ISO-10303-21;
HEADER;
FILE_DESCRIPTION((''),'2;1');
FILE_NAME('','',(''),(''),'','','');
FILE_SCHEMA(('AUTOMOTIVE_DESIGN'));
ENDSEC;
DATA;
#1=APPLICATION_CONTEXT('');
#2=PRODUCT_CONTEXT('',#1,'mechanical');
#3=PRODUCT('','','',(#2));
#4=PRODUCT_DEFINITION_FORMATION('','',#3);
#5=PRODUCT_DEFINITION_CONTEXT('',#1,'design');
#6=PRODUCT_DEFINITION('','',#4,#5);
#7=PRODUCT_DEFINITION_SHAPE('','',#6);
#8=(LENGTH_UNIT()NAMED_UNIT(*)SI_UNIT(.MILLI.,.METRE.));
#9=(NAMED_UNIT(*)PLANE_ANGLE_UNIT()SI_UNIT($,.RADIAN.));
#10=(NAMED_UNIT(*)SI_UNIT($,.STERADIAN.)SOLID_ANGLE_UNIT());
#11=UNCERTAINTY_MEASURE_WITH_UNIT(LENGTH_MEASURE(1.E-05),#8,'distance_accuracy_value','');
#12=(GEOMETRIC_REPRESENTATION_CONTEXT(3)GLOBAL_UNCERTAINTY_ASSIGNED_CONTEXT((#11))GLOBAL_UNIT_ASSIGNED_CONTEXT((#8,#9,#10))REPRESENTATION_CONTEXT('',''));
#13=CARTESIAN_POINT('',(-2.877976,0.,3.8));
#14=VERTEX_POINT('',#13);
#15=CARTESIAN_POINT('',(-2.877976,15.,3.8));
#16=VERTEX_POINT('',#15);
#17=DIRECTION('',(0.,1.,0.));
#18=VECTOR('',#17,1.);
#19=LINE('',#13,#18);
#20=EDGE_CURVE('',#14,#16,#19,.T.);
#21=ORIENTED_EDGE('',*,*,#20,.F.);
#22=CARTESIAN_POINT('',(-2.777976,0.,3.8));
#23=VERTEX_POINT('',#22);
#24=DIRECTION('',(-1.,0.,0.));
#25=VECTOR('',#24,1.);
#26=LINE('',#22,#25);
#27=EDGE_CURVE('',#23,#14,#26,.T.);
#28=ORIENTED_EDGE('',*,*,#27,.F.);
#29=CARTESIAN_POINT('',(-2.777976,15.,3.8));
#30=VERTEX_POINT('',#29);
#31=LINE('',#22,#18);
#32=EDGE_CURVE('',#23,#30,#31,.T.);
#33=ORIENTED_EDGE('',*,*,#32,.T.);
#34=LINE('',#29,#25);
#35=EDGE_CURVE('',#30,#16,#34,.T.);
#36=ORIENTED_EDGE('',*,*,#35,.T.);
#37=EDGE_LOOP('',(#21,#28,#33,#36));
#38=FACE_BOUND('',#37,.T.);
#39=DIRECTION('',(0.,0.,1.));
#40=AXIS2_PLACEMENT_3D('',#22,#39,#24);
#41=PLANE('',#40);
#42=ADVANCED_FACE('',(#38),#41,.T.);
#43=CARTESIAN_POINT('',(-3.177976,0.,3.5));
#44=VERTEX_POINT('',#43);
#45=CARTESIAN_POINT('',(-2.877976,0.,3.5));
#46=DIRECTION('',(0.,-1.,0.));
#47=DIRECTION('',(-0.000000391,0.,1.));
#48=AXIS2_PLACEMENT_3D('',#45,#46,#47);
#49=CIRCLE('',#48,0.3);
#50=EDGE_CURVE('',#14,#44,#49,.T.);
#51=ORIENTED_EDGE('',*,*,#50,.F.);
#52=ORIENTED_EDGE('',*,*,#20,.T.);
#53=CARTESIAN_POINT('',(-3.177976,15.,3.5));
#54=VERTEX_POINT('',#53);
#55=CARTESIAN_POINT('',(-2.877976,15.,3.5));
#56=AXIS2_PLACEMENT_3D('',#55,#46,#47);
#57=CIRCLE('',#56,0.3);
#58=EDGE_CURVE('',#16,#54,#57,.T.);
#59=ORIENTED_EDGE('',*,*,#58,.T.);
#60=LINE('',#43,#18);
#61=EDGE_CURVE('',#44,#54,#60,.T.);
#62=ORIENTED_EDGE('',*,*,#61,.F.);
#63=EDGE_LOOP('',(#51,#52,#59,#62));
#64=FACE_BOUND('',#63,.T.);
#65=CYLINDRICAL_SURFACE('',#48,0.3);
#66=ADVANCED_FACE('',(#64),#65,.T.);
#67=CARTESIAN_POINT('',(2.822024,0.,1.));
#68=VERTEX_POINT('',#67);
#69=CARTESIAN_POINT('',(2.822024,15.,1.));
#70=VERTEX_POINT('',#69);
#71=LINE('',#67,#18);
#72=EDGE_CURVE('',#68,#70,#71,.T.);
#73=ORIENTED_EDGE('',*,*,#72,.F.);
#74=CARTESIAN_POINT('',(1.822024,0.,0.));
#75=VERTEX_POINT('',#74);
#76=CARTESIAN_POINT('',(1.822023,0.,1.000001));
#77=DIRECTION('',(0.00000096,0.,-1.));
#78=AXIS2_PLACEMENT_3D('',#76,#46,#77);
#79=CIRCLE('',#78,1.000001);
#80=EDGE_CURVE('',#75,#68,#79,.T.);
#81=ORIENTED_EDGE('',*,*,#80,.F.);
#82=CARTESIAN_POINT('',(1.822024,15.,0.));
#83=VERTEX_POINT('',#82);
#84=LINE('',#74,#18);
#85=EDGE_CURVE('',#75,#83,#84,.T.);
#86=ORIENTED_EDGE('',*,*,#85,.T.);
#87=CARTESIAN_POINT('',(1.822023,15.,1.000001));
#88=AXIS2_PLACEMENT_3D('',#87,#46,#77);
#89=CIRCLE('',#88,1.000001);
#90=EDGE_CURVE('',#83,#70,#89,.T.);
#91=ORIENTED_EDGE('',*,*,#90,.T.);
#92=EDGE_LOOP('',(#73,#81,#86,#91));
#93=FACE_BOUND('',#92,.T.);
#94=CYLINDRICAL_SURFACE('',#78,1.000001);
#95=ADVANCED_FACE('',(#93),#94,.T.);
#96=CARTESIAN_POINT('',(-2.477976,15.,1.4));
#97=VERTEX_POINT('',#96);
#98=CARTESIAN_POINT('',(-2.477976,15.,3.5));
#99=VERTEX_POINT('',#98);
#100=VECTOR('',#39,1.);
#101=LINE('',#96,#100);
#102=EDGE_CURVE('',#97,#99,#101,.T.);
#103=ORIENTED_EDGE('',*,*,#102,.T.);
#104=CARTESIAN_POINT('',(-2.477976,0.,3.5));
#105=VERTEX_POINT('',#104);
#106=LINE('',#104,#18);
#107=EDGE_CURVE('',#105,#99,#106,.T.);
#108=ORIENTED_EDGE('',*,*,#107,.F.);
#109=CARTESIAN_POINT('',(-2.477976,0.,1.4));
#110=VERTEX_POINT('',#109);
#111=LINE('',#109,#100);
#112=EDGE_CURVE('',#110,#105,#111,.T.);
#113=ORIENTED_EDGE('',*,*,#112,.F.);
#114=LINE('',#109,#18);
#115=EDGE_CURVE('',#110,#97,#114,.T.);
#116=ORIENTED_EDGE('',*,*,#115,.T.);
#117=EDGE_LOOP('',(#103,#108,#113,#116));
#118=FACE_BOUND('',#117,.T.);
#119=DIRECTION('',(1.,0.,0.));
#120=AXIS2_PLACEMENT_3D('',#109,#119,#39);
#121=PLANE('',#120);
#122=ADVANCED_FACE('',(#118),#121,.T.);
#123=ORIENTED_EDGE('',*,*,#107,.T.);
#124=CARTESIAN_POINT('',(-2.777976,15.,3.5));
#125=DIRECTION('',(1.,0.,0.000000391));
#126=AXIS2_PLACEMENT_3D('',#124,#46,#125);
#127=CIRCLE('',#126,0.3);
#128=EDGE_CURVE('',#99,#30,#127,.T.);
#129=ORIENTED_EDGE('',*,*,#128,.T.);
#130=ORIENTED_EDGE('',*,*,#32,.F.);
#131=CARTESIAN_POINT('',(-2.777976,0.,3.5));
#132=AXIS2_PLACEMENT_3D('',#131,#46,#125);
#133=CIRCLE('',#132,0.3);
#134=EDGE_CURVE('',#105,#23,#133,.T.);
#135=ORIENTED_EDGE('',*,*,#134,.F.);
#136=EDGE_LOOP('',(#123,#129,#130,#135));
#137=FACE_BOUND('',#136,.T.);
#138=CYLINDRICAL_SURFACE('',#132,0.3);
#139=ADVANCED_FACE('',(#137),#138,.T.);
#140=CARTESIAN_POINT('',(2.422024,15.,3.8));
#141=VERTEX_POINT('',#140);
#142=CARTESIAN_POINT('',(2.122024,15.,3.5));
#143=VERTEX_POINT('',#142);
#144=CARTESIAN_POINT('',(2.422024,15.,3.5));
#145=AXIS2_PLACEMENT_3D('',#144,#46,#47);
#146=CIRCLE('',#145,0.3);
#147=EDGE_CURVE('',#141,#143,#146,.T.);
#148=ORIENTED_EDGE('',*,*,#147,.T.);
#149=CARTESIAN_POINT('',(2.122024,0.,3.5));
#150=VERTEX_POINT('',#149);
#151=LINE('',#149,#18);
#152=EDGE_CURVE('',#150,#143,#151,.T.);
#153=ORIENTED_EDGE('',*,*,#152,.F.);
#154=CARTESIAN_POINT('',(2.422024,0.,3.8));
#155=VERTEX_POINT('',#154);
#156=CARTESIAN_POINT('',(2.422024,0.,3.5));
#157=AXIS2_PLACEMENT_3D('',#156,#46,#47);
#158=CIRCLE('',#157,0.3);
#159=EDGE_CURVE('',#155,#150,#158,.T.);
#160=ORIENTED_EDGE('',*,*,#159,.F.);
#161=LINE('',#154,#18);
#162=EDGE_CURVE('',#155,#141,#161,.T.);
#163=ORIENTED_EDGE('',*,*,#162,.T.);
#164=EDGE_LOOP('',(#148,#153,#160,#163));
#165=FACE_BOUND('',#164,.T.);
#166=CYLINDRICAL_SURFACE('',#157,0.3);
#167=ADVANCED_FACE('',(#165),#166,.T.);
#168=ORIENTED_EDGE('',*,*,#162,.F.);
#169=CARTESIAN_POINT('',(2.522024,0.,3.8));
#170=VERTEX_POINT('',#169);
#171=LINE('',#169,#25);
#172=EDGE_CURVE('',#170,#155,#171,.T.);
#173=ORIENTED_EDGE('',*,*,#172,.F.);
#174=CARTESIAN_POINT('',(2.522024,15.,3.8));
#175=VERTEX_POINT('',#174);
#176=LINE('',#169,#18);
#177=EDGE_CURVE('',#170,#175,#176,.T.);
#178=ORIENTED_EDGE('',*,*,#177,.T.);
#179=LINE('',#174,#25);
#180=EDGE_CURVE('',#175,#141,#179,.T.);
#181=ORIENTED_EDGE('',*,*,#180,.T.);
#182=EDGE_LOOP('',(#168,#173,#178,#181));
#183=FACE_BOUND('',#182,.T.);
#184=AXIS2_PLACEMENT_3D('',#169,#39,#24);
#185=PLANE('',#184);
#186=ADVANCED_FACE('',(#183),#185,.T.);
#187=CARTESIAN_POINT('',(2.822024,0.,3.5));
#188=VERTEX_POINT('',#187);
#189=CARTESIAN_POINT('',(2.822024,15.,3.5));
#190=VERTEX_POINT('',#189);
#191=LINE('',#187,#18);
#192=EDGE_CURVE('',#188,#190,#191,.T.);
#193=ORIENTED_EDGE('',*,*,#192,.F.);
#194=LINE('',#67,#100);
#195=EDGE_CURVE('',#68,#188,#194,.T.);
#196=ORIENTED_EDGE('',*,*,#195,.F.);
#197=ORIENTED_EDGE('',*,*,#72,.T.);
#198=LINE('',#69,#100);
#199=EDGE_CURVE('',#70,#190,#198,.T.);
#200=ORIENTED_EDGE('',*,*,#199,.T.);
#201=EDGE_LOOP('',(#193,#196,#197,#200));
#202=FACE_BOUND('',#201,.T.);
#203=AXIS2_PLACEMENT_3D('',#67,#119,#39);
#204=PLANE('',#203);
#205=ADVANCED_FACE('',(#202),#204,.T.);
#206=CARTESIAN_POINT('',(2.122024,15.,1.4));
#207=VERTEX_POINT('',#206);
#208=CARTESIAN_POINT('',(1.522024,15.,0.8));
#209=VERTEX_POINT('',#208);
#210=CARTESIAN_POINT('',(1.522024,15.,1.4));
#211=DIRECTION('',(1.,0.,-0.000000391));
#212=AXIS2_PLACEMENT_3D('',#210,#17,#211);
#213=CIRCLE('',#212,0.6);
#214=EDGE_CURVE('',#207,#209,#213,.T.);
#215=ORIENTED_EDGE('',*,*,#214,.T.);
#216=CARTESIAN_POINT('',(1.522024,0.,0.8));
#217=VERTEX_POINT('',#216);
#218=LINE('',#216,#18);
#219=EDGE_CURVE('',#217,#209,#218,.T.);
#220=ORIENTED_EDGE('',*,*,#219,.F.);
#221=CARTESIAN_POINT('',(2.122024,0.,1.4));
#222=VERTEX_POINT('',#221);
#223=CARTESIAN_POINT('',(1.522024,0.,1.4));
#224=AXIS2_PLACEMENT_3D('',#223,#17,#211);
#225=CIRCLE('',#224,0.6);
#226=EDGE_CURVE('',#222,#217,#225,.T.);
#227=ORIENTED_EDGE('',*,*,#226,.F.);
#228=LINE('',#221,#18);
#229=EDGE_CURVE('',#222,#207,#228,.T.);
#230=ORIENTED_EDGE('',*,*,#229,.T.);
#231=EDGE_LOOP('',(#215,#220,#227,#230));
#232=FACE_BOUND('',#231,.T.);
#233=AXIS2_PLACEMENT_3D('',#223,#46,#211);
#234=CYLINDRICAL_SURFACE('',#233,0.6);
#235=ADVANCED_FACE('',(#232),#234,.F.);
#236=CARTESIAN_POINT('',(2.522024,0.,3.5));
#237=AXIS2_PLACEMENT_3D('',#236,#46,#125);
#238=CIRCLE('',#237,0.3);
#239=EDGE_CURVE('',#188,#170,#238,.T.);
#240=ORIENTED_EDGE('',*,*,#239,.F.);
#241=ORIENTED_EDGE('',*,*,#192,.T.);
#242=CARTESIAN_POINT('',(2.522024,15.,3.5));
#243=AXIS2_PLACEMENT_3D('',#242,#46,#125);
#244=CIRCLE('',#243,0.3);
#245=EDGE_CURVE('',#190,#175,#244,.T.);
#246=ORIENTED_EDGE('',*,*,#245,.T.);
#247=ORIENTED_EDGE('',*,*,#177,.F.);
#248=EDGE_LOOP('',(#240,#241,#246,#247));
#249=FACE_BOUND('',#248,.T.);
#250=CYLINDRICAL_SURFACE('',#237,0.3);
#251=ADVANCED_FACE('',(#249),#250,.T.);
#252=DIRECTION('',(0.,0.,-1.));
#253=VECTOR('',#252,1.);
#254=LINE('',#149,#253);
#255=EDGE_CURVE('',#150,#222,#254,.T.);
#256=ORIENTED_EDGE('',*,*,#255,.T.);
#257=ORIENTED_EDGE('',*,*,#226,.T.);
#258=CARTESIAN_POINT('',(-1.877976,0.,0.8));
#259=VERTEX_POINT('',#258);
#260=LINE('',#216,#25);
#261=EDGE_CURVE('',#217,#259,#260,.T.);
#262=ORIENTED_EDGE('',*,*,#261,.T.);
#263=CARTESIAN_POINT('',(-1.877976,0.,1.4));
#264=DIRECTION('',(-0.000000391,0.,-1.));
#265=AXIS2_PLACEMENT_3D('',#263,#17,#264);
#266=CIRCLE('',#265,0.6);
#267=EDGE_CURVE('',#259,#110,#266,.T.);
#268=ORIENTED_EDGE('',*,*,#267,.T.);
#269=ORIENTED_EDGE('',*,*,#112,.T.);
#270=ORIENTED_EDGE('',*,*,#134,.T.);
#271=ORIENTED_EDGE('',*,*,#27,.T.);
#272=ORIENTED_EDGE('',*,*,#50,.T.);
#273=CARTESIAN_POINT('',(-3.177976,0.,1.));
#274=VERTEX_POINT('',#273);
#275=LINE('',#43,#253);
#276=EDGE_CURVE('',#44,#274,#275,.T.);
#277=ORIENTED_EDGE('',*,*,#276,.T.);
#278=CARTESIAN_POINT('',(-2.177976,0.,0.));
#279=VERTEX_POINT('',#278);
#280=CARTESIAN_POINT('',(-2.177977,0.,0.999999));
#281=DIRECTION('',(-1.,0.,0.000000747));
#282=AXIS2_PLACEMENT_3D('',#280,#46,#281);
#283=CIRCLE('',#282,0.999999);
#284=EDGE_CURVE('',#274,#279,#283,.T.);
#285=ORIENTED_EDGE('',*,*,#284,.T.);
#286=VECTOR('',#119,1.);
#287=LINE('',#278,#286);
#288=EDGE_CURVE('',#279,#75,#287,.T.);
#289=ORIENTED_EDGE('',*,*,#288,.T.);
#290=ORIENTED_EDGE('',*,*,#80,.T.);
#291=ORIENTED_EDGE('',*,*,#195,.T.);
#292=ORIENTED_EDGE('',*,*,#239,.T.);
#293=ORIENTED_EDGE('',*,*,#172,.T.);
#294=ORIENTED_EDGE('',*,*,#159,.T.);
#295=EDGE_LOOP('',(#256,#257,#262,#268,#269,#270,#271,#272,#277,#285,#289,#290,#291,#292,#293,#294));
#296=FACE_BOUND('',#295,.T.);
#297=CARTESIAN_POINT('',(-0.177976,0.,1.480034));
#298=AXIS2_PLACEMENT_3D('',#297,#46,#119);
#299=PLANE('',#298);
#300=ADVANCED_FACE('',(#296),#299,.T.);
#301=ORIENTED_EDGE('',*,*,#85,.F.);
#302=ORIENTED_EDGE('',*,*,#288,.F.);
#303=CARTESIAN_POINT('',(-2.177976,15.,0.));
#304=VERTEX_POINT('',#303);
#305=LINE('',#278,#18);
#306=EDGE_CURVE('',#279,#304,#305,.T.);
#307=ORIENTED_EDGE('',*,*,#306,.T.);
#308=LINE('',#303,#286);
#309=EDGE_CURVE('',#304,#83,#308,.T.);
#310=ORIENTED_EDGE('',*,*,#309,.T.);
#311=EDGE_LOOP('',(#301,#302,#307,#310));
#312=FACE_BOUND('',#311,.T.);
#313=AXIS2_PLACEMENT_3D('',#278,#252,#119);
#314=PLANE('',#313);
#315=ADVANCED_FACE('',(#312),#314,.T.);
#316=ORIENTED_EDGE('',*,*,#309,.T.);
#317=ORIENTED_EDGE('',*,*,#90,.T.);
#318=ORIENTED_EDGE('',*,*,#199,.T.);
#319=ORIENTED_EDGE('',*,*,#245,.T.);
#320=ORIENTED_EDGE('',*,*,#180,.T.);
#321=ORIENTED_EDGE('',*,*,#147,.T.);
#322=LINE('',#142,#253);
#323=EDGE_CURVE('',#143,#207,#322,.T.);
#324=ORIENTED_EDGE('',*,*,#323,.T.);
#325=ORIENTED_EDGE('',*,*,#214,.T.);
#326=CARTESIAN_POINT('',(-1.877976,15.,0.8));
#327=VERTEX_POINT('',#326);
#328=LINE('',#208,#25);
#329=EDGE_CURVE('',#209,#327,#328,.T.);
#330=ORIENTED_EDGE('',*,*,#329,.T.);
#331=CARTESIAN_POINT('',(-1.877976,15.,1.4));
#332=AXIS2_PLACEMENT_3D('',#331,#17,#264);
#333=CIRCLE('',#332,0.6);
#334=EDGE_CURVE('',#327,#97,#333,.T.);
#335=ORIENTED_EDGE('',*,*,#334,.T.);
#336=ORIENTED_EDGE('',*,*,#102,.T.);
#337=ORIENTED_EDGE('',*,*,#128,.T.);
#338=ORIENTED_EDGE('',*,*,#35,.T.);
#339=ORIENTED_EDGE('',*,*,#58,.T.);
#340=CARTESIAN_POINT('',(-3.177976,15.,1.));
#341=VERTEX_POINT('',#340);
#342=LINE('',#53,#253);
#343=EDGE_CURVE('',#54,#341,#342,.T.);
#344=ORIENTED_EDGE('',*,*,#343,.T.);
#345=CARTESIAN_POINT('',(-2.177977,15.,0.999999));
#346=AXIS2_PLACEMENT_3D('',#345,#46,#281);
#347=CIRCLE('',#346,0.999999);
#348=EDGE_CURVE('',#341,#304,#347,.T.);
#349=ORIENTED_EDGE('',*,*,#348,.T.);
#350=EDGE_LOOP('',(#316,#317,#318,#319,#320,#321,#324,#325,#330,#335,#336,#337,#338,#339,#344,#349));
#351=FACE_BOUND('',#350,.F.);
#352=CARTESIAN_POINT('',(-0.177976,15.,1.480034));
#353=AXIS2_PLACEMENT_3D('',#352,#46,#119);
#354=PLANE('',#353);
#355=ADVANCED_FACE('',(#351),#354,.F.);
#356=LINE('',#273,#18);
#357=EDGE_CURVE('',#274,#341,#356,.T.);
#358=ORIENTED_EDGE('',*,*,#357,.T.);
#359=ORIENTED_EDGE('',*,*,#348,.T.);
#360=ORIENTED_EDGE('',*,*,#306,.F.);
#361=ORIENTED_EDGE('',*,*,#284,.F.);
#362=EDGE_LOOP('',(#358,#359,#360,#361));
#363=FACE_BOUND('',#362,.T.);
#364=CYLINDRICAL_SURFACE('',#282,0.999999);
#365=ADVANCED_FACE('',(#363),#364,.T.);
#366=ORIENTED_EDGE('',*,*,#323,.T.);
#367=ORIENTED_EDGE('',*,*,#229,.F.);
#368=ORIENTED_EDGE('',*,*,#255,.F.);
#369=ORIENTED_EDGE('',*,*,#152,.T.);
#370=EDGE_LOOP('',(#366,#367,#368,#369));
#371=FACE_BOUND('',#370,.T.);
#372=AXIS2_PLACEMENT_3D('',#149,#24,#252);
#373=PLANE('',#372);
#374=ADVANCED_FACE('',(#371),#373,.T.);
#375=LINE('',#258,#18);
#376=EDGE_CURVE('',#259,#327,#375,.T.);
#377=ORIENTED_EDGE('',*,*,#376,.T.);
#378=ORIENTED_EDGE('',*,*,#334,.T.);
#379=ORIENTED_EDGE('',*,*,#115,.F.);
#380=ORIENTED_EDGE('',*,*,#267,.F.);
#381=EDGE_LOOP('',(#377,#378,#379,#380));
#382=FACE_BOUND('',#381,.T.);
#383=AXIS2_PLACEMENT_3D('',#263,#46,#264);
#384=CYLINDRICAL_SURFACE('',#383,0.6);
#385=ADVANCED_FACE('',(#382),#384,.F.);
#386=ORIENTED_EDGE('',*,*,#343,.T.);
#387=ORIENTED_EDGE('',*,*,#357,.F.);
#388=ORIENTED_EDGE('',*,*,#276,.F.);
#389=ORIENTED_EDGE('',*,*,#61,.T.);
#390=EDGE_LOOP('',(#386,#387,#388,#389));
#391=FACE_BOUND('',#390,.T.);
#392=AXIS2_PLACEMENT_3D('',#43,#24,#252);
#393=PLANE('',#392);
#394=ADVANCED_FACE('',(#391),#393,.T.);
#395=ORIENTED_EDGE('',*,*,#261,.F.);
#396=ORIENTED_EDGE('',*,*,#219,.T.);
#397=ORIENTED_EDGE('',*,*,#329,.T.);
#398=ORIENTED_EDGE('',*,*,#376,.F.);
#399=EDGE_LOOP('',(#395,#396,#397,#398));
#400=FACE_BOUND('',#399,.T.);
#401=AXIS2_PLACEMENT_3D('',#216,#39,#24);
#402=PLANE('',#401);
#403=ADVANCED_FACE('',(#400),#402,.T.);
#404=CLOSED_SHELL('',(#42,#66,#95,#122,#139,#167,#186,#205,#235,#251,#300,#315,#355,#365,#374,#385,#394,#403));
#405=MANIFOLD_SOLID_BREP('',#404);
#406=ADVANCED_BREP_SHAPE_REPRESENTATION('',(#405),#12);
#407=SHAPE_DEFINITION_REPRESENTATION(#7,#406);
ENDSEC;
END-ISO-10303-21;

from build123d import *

# Parameters (mm, degrees)
F1_DEPTH = 15


with BuildPart() as f1:
    # F0 (on Front) → F1 (new body)
    with BuildSketch(Plane.XZ):
        with BuildLine():
            Line((-2.777976, 3.8), (-2.877976, 3.8))
            ThreePointArc((-2.877976, 3.8), (-3.090108, 3.712132), (-3.177976, 3.5))
            Line((-3.177976, 3.5), (-3.177976, 1))
            ThreePointArc((-3.177976, 1), (-2.885083, 0.292893), (-2.177976, 0))
            Line((-2.177976, 0), (1.822024, 0))
            ThreePointArc((1.822024, 0), (2.52913, 0.292893), (2.822024, 1))
            Line((2.822024, 1), (2.822024, 3.5))
            ThreePointArc((2.822024, 3.5), (2.734156, 3.712132), (2.522024, 3.8))
            Line((2.522024, 3.8), (2.422024, 3.8))
            ThreePointArc((2.422024, 3.8), (2.209892, 3.712132), (2.122024, 3.5))
            Line((2.122024, 3.5), (2.122024, 1.4))
            ThreePointArc((2.122024, 1.4), (1.946288, 0.975736), (1.522024, 0.8))
            Line((1.522024, 0.8), (-1.877976, 0.8))
            ThreePointArc((-1.877976, 0.8), (-2.30224, 0.975736), (-2.477976, 1.4))
            Line((-2.477976, 1.4), (-2.477976, 3.5))
            ThreePointArc((-2.477976, 3.5), (-2.565844, 3.712132), (-2.777976, 3.8))
        make_face()
    extrude(amount=-F1_DEPTH)


solid = f1.part
